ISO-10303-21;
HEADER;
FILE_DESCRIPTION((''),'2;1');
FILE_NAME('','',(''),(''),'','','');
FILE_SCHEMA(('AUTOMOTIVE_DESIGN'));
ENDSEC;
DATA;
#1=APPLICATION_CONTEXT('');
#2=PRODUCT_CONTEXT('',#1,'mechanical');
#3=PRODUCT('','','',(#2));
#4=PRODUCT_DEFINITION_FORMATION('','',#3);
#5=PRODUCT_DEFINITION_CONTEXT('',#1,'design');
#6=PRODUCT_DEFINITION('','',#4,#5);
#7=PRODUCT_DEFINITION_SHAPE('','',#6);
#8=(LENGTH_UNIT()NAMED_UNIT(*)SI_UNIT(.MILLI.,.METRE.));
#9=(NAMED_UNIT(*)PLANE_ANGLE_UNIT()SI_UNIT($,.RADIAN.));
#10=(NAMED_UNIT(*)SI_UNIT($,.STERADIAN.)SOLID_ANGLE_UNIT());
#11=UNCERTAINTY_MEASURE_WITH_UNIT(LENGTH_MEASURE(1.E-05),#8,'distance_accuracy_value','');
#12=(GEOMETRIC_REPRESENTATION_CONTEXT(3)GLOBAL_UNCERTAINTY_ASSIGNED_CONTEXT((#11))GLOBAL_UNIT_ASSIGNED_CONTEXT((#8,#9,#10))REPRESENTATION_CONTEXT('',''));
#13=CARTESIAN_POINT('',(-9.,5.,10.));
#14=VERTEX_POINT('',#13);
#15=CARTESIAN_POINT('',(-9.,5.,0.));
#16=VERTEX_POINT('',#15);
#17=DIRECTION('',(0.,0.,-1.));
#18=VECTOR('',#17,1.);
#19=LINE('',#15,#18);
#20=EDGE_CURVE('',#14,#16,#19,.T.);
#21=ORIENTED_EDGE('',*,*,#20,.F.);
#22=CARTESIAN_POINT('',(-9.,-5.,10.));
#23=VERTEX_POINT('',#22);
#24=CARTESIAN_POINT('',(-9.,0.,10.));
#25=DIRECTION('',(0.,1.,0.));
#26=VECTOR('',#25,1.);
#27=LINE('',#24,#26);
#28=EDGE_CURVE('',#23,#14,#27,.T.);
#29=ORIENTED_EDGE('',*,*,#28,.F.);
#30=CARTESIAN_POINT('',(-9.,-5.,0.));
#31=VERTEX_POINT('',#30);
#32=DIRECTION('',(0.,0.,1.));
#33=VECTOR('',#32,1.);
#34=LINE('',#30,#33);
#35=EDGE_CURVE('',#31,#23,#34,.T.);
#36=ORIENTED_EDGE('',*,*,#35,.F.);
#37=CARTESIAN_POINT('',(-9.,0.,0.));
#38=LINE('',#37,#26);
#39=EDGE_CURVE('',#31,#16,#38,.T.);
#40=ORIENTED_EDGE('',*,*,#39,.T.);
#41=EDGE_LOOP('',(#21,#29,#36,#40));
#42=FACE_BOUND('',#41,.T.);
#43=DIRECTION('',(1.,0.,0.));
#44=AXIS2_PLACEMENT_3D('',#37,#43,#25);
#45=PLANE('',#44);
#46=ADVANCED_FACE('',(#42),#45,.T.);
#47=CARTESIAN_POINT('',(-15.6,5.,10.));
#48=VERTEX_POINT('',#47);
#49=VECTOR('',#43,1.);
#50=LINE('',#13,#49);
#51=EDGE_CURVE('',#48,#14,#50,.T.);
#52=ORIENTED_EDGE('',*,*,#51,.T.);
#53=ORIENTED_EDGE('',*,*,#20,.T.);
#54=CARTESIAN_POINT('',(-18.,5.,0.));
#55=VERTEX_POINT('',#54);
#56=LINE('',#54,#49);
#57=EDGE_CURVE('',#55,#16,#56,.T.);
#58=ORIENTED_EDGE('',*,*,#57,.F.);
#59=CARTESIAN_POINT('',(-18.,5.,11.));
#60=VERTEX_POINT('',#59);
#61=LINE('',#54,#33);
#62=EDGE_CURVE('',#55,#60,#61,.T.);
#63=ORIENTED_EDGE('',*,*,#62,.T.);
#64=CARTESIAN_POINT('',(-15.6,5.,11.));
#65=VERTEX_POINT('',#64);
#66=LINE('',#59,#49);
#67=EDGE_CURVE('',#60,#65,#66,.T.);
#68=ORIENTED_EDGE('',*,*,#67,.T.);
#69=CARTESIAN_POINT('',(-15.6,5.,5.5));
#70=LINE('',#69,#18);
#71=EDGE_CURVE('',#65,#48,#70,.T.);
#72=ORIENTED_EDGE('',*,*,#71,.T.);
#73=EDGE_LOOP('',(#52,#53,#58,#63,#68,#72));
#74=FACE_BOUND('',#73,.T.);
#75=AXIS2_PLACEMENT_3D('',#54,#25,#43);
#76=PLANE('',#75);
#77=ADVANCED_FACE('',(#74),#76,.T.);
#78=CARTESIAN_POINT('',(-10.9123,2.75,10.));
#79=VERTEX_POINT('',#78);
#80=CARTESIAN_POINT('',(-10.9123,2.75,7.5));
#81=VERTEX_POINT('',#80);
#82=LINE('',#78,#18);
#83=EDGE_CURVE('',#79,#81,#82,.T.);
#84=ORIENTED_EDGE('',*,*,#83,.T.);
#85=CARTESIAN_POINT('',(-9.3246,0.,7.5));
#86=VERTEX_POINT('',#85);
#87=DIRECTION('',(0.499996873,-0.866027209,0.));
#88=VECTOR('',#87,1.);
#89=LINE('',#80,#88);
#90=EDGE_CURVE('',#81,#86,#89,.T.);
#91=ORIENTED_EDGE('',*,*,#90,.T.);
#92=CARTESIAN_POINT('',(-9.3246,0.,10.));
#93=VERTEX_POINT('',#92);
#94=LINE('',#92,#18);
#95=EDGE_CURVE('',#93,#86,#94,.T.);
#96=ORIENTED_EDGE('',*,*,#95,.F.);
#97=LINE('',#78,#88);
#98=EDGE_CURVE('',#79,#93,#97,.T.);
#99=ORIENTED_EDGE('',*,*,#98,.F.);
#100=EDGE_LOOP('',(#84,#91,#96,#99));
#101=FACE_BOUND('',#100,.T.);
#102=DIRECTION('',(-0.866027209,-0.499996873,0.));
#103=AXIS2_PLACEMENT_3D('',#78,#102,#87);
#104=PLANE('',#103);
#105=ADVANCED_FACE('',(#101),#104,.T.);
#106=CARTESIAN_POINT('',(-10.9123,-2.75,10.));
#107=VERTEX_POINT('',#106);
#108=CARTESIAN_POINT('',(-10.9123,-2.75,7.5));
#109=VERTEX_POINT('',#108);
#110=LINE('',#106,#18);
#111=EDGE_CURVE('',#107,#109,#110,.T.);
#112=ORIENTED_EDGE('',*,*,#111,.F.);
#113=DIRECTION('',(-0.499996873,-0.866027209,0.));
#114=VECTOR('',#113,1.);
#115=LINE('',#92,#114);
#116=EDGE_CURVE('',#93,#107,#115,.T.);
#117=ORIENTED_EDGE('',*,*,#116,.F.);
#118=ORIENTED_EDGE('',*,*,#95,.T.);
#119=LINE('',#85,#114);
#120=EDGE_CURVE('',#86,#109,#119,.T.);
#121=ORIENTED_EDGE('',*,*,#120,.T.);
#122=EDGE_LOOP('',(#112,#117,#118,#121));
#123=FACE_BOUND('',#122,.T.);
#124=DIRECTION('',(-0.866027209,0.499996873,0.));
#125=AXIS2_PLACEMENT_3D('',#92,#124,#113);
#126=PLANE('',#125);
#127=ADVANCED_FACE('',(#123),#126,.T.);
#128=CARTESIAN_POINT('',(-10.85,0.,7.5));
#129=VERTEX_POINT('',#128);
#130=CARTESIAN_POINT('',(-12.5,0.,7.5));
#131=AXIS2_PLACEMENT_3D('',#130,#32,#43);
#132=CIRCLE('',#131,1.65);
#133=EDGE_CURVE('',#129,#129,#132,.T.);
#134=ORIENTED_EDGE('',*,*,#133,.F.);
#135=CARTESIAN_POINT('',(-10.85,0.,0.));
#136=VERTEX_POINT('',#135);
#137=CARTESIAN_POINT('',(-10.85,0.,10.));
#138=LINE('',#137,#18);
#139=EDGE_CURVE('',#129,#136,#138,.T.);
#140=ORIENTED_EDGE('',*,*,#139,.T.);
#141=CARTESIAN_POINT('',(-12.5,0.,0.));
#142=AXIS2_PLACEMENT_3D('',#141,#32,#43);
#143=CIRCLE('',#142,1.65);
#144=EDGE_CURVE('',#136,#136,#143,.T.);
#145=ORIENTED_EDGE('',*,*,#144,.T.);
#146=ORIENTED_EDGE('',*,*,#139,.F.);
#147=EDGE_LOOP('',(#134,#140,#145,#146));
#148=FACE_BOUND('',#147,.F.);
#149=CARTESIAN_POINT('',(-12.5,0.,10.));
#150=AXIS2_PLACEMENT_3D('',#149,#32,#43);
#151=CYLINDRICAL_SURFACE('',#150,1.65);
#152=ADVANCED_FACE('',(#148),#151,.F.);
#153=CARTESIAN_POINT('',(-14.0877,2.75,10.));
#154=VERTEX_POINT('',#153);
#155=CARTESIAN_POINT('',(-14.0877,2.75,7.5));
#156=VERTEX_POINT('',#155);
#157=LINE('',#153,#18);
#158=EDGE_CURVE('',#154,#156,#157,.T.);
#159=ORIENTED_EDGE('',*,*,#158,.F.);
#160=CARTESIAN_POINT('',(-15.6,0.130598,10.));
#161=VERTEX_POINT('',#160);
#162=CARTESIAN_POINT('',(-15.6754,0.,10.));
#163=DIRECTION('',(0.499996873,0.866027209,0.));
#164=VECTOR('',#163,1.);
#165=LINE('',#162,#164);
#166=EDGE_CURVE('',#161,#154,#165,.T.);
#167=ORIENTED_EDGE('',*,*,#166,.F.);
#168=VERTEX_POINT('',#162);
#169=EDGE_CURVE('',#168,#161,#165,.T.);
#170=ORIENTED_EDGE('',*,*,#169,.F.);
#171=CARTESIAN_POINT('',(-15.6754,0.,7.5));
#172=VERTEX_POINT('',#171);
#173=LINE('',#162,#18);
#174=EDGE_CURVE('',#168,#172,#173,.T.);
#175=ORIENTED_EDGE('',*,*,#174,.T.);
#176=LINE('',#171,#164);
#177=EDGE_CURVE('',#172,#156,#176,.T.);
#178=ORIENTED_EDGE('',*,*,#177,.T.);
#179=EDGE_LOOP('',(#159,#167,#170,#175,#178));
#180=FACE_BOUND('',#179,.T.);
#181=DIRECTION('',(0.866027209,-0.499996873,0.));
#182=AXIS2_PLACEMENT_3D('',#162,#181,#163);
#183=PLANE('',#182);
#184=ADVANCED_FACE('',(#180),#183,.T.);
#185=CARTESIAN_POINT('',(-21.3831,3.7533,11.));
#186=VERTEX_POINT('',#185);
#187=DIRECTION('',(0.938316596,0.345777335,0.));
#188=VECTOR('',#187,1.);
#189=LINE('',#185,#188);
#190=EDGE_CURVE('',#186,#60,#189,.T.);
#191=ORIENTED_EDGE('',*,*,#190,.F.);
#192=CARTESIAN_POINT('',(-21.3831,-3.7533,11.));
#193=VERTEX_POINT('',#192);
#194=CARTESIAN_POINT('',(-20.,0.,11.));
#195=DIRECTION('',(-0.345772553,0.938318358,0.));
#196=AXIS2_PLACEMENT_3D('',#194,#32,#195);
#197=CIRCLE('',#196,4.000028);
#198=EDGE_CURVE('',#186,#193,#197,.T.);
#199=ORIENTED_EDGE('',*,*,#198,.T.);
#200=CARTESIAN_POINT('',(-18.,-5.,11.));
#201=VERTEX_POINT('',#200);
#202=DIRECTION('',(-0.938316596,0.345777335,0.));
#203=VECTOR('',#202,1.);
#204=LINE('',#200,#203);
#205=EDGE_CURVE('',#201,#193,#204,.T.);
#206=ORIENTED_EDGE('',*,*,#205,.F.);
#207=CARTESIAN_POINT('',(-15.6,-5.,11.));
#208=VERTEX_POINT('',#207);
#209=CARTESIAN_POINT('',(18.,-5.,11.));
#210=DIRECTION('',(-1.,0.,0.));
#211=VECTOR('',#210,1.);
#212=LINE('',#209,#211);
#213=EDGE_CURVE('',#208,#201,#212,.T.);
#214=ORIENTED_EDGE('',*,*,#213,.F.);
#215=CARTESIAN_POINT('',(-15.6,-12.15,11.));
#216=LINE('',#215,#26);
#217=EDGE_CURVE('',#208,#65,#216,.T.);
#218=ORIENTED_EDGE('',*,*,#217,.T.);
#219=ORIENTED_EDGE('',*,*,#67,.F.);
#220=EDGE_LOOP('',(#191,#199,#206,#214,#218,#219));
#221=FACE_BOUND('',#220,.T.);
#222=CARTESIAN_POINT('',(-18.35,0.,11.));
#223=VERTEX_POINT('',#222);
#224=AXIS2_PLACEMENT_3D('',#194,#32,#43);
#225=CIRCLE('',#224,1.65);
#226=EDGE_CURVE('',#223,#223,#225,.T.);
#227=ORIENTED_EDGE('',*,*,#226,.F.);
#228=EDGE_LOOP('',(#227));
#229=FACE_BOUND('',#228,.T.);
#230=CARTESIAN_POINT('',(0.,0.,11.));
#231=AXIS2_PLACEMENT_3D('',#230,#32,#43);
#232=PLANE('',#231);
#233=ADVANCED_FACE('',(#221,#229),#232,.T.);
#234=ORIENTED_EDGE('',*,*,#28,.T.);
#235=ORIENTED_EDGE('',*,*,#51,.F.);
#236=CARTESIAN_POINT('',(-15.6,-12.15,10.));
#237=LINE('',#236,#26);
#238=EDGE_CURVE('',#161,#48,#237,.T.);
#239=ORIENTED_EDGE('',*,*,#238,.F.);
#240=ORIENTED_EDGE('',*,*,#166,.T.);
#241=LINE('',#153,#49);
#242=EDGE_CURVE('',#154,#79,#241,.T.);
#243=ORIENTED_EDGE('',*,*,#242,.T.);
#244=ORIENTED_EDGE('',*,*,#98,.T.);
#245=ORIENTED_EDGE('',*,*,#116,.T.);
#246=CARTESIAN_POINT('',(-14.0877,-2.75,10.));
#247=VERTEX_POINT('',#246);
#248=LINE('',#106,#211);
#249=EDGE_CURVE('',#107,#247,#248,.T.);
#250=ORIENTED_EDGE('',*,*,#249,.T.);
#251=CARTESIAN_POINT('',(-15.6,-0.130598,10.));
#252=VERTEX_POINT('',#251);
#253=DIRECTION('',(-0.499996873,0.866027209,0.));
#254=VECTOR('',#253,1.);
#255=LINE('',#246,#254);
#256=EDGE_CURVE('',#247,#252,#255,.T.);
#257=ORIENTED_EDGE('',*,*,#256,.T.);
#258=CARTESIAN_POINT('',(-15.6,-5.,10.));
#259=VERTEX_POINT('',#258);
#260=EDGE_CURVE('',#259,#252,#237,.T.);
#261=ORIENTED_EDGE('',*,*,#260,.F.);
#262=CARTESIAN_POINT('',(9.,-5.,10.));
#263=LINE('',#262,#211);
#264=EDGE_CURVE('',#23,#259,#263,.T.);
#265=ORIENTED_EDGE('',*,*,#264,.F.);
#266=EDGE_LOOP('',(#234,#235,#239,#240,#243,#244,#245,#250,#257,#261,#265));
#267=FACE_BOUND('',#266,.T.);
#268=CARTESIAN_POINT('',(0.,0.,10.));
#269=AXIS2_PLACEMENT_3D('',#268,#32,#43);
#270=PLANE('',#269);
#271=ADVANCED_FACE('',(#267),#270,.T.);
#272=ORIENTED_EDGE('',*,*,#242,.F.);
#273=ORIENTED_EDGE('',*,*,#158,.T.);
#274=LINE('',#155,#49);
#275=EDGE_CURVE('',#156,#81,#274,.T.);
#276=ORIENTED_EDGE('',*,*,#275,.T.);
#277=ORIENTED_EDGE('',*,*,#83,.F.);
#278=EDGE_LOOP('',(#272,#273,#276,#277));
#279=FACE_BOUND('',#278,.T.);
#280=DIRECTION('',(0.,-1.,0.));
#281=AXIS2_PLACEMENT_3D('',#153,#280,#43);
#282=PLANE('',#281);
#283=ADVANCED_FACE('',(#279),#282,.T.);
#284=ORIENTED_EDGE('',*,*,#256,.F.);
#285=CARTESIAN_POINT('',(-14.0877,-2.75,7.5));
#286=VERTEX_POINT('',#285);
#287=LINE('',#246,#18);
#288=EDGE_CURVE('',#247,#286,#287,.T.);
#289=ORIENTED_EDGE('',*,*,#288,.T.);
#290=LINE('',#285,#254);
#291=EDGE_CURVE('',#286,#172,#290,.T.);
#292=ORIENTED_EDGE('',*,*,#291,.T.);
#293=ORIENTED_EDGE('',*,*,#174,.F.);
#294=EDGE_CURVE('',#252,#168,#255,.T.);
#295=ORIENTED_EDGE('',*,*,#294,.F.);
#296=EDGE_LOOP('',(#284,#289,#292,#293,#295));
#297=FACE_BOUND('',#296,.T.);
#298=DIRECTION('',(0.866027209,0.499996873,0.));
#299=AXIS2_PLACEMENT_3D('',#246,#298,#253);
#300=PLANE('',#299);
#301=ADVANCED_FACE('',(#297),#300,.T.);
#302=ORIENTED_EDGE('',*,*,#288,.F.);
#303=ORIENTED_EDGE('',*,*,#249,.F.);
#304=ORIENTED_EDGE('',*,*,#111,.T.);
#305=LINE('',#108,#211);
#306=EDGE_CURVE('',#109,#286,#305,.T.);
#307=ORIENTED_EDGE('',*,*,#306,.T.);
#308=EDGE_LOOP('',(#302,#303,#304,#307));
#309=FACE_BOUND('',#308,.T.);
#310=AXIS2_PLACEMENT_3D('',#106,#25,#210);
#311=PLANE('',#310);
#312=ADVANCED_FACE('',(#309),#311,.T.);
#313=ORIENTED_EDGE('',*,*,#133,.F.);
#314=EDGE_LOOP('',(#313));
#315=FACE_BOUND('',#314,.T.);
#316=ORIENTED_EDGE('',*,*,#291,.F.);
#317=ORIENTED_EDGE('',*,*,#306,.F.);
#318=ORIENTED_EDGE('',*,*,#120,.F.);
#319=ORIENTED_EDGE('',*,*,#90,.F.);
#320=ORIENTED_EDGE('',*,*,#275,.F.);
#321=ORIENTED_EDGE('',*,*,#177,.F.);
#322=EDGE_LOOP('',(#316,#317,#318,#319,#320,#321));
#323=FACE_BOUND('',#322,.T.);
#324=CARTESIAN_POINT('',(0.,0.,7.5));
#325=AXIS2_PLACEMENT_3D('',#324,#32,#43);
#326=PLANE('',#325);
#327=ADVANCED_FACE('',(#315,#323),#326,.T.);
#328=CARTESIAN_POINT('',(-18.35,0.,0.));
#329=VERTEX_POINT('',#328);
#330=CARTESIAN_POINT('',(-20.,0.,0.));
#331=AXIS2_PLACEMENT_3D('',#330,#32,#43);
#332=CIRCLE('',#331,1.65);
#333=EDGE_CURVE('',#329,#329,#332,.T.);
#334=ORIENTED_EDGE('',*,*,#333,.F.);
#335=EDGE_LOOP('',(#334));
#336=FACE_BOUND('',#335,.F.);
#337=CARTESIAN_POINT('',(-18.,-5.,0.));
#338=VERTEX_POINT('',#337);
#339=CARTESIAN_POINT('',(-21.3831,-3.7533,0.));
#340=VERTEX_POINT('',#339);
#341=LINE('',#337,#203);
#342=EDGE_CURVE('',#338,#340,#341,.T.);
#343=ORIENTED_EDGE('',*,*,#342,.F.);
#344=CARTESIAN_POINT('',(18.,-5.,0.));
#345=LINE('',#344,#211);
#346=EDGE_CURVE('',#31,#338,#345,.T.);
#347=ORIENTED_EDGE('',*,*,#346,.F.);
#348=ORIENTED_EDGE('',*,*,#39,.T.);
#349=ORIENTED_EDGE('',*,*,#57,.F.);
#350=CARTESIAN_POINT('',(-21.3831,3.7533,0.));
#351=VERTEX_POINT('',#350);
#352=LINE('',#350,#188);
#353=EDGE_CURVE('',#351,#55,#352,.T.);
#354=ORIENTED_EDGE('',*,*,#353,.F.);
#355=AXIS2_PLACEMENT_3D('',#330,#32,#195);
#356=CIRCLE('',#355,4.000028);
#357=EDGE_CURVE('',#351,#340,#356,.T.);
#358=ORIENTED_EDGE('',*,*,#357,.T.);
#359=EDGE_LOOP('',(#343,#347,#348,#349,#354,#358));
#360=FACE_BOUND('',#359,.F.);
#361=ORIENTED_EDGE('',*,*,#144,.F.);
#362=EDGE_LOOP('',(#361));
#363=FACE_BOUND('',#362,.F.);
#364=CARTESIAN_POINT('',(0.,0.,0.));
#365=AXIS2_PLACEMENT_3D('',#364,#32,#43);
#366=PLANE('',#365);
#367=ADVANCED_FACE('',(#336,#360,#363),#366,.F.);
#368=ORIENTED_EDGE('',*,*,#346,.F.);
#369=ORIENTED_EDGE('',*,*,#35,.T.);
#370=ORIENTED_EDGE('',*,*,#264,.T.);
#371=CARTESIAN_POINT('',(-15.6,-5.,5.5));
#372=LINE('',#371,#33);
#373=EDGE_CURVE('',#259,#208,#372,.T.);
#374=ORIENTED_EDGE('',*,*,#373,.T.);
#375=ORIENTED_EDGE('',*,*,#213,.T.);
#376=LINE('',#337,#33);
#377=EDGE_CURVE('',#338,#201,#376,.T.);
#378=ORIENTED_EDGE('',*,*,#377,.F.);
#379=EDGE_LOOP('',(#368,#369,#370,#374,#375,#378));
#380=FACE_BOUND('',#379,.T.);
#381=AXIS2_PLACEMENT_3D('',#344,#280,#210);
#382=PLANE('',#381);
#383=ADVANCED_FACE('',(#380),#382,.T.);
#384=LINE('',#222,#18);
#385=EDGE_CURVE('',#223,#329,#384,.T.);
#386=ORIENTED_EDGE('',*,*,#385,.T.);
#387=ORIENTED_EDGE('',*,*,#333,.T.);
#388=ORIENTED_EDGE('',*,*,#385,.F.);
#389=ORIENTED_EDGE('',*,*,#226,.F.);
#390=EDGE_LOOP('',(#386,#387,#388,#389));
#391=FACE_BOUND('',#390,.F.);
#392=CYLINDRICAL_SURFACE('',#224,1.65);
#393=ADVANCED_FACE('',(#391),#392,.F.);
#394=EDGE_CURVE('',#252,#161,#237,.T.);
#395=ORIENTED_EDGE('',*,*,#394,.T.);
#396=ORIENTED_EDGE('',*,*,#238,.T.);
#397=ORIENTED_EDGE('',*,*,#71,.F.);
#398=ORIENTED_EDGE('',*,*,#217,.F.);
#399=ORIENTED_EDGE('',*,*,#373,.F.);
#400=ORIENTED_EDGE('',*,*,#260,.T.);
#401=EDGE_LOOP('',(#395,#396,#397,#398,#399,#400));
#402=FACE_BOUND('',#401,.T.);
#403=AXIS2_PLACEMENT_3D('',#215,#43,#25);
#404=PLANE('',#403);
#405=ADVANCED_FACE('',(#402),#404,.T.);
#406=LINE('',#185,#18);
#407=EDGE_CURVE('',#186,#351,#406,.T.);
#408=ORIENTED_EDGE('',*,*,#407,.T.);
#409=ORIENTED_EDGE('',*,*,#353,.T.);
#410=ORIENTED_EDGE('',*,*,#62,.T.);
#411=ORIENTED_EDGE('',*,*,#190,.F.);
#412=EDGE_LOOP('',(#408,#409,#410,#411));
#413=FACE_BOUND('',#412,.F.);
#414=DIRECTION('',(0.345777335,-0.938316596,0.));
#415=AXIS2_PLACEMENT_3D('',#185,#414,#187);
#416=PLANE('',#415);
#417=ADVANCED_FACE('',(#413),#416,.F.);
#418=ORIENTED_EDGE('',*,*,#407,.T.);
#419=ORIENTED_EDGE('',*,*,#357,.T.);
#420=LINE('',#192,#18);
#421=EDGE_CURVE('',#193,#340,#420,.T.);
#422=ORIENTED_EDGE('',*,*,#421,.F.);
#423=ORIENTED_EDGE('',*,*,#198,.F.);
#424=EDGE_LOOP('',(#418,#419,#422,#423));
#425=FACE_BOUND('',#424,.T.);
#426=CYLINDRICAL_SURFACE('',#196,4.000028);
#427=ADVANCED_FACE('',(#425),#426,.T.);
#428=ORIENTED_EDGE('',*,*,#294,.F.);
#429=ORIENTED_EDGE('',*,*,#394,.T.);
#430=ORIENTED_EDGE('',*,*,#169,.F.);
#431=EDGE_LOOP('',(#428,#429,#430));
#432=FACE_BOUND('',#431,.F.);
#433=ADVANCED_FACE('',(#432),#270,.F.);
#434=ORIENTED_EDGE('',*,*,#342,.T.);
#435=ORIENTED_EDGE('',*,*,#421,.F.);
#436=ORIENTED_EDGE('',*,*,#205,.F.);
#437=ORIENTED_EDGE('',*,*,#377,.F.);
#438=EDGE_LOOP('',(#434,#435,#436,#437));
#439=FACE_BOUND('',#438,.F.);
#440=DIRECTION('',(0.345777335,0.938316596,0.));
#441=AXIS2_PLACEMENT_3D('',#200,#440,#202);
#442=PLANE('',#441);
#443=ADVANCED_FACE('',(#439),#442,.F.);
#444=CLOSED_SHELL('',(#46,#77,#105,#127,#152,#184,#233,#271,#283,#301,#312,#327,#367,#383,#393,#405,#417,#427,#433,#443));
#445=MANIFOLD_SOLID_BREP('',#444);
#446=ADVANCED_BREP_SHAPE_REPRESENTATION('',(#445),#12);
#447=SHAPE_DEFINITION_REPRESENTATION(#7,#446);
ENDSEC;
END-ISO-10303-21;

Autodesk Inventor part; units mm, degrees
ref_plane "YZ Plane" through (0, 0, 0) normal (1, 0, 0) x (0, 1, 0)
ref_plane "XZ Plane" through (0, 0, 0) normal (0, 1, 0) x (-1, 0, 0)
ref_plane "XY Plane" through (0, 0, 0) normal (0, 0, 1) x (1, 0, 0)
sketch "Sketch2" plane through (0, 0, 0) normal (0, 0, 1) x (1, 0, 0)
  line L0 (-18, 5) -> (18, 5)
  line L1 (18, 5) -> (18, -5)
  line L2 (18, -5) -> (-18, -5)
  line L3 (-18, -5) -> (-18, 5)
  line L4 (-18, 5) -> (18, -5) construction
  line L5 (18, 5) -> (-18, -5) construction
  point P0 (0, 0)
  dimension "d0" = 10
  dimension "d1" = 36
extrude "Extrusion1" add sketch "Sketch2" along normal blind 11
sketch "Sketch3" plane through (0, 0, 11) normal (0, 0, 1) x (1, 0, 0)
  line L0 (-15.6, 12.15) -> (15.6, 12.15)
  line L1 (15.6, 12.15) -> (15.6, -12.15)
  line L2 (15.6, -12.15) -> (-15.6, -12.15)
  line L3 (-15.6, -12.15) -> (-15.6, 12.15)
  line L4 (-15.6, 12.15) -> (15.6, -12.15) construction
  line L5 (15.6, 12.15) -> (-15.6, -12.15) construction
  point P0 (0, 0)
  dimension "d4" = 31.2
  dimension "d5" = 24.3
extrude "Extrusion2" cut sketch "Sketch3" against normal blind 1
sketch "Sketch4" plane through (0, 0, 10) normal (0, 0, 1) x (1, 0, 0)
  circle A0 centre (12.5, 0) radius 1.65
  line L0 (0, 0) -> (0, 4.6535) construction
  circle A1 centre (-12.5, 0) radius 1.65
  point P0 (-61.5247, -30.2854)
  point P1 (15.4586, -30.2854)
  dimension "d39" = 3.3
  dimension "d40" = 25
extrude "Extrusion3" cut sketch "Sketch4" against normal through all
sketch "Sketch7" plane through (0, 0, 11) normal (0, 0, 1) x (1, 0, 0)
  arc A0 (21.3831, -3.7533) -> (21.3831, 3.7533) centre (20, 0) ccw
  line L0 (21.3831, 3.7533) -> (18, 5)
  line L1 (18, 5) -> (18, -5)
  line L2 (18, -5) -> (21.3831, -3.7533)
  line L3 (0, 20.7674) -> (0, -20.7674) construction
  arc A1 (-21.3831, 3.7533) -> (-21.3831, -3.7533) centre (-20, 0) ccw
  line L4 (-21.3831, 3.7533) -> (-18, 5)
  line L5 (-18, 5) -> (-18, -5)
  line L6 (-18, -5) -> (-21.3831, -3.7533)
  line L7 (18, -5) -> (18, 5) construction
  circle A2 centre (20, 0) radius 1.65
  circle A3 centre (-20, 0) radius 1.65
  line L8 (0, 0) -> (1.9739, 0) construction
  dimension "d28" = 3.3
  dimension "d29" = 4
  dimension "d30" = 40
  dimension "d31" = 10
extrude "Extrusion6" add sketch "Sketch7" against normal up to surface (11 mm away)
sketch "Sketch9" plane through (0, 0, 10) normal (0, 0, 1) x (1, 0, 0)
  circle A0 centre (-12.5, 0) radius 1.65 projected
  line L0 (-9.3246, 0) -> (-10.9123, -2.75)
  line L1 (-10.9123, -2.75) -> (-14.0877, -2.75)
  line L2 (-14.0877, -2.75) -> (-15.6754, 0)
  line L3 (-15.6754, 0) -> (-14.0877, 2.75)
  line L4 (-14.0877, 2.75) -> (-10.9123, 2.75)
  line L5 (-10.9123, 2.75) -> (-9.3246, 0)
  line L6 (0, 0) -> (0, 3.6506) construction
  circle A1 centre (12.5, 0) radius 1.65
  line L7 (9.3246, 0) -> (10.9123, -2.75)
  line L8 (10.9123, -2.75) -> (14.0877, -2.75)
  line L9 (14.0877, -2.75) -> (15.6754, 0)
  line L10 (15.6754, 0) -> (14.0877, 2.75)
  line L11 (14.0877, 2.75) -> (10.9123, 2.75)
  line L12 (10.9123, 2.75) -> (9.3246, 0)
  dimension "d41" = 5.5
extrude "Extrusion8" cut sketch "Sketch9" against normal blind 2.5
sketch "Sketch8" plane through (0, 0, 0) normal (1, 0, 0) x (0, 1, 0)
  line L0 (45.1511, -28.2394) -> (-45.1511, -28.2394)
  line L1 (-45.1511, -28.2394) -> (-45.1511, 28.2394)
  line L2 (-45.1511, 28.2394) -> (45.1511, 28.2394)
  line L3 (45.1511, 28.2394) -> (45.1511, -28.2394)
  line L4 (45.1511, -28.2394) -> (-45.1511, 28.2394) construction
  line L5 (-45.1511, -28.2394) -> (45.1511, 28.2394) construction
  point P0 (0, 0)
extrude "Extrusion7" cut sketch "Sketch8" along normal blind 24 and the other way blind 9
properties part number "power_signal_socket_fixed3" material "Acetal Resin, Black"
